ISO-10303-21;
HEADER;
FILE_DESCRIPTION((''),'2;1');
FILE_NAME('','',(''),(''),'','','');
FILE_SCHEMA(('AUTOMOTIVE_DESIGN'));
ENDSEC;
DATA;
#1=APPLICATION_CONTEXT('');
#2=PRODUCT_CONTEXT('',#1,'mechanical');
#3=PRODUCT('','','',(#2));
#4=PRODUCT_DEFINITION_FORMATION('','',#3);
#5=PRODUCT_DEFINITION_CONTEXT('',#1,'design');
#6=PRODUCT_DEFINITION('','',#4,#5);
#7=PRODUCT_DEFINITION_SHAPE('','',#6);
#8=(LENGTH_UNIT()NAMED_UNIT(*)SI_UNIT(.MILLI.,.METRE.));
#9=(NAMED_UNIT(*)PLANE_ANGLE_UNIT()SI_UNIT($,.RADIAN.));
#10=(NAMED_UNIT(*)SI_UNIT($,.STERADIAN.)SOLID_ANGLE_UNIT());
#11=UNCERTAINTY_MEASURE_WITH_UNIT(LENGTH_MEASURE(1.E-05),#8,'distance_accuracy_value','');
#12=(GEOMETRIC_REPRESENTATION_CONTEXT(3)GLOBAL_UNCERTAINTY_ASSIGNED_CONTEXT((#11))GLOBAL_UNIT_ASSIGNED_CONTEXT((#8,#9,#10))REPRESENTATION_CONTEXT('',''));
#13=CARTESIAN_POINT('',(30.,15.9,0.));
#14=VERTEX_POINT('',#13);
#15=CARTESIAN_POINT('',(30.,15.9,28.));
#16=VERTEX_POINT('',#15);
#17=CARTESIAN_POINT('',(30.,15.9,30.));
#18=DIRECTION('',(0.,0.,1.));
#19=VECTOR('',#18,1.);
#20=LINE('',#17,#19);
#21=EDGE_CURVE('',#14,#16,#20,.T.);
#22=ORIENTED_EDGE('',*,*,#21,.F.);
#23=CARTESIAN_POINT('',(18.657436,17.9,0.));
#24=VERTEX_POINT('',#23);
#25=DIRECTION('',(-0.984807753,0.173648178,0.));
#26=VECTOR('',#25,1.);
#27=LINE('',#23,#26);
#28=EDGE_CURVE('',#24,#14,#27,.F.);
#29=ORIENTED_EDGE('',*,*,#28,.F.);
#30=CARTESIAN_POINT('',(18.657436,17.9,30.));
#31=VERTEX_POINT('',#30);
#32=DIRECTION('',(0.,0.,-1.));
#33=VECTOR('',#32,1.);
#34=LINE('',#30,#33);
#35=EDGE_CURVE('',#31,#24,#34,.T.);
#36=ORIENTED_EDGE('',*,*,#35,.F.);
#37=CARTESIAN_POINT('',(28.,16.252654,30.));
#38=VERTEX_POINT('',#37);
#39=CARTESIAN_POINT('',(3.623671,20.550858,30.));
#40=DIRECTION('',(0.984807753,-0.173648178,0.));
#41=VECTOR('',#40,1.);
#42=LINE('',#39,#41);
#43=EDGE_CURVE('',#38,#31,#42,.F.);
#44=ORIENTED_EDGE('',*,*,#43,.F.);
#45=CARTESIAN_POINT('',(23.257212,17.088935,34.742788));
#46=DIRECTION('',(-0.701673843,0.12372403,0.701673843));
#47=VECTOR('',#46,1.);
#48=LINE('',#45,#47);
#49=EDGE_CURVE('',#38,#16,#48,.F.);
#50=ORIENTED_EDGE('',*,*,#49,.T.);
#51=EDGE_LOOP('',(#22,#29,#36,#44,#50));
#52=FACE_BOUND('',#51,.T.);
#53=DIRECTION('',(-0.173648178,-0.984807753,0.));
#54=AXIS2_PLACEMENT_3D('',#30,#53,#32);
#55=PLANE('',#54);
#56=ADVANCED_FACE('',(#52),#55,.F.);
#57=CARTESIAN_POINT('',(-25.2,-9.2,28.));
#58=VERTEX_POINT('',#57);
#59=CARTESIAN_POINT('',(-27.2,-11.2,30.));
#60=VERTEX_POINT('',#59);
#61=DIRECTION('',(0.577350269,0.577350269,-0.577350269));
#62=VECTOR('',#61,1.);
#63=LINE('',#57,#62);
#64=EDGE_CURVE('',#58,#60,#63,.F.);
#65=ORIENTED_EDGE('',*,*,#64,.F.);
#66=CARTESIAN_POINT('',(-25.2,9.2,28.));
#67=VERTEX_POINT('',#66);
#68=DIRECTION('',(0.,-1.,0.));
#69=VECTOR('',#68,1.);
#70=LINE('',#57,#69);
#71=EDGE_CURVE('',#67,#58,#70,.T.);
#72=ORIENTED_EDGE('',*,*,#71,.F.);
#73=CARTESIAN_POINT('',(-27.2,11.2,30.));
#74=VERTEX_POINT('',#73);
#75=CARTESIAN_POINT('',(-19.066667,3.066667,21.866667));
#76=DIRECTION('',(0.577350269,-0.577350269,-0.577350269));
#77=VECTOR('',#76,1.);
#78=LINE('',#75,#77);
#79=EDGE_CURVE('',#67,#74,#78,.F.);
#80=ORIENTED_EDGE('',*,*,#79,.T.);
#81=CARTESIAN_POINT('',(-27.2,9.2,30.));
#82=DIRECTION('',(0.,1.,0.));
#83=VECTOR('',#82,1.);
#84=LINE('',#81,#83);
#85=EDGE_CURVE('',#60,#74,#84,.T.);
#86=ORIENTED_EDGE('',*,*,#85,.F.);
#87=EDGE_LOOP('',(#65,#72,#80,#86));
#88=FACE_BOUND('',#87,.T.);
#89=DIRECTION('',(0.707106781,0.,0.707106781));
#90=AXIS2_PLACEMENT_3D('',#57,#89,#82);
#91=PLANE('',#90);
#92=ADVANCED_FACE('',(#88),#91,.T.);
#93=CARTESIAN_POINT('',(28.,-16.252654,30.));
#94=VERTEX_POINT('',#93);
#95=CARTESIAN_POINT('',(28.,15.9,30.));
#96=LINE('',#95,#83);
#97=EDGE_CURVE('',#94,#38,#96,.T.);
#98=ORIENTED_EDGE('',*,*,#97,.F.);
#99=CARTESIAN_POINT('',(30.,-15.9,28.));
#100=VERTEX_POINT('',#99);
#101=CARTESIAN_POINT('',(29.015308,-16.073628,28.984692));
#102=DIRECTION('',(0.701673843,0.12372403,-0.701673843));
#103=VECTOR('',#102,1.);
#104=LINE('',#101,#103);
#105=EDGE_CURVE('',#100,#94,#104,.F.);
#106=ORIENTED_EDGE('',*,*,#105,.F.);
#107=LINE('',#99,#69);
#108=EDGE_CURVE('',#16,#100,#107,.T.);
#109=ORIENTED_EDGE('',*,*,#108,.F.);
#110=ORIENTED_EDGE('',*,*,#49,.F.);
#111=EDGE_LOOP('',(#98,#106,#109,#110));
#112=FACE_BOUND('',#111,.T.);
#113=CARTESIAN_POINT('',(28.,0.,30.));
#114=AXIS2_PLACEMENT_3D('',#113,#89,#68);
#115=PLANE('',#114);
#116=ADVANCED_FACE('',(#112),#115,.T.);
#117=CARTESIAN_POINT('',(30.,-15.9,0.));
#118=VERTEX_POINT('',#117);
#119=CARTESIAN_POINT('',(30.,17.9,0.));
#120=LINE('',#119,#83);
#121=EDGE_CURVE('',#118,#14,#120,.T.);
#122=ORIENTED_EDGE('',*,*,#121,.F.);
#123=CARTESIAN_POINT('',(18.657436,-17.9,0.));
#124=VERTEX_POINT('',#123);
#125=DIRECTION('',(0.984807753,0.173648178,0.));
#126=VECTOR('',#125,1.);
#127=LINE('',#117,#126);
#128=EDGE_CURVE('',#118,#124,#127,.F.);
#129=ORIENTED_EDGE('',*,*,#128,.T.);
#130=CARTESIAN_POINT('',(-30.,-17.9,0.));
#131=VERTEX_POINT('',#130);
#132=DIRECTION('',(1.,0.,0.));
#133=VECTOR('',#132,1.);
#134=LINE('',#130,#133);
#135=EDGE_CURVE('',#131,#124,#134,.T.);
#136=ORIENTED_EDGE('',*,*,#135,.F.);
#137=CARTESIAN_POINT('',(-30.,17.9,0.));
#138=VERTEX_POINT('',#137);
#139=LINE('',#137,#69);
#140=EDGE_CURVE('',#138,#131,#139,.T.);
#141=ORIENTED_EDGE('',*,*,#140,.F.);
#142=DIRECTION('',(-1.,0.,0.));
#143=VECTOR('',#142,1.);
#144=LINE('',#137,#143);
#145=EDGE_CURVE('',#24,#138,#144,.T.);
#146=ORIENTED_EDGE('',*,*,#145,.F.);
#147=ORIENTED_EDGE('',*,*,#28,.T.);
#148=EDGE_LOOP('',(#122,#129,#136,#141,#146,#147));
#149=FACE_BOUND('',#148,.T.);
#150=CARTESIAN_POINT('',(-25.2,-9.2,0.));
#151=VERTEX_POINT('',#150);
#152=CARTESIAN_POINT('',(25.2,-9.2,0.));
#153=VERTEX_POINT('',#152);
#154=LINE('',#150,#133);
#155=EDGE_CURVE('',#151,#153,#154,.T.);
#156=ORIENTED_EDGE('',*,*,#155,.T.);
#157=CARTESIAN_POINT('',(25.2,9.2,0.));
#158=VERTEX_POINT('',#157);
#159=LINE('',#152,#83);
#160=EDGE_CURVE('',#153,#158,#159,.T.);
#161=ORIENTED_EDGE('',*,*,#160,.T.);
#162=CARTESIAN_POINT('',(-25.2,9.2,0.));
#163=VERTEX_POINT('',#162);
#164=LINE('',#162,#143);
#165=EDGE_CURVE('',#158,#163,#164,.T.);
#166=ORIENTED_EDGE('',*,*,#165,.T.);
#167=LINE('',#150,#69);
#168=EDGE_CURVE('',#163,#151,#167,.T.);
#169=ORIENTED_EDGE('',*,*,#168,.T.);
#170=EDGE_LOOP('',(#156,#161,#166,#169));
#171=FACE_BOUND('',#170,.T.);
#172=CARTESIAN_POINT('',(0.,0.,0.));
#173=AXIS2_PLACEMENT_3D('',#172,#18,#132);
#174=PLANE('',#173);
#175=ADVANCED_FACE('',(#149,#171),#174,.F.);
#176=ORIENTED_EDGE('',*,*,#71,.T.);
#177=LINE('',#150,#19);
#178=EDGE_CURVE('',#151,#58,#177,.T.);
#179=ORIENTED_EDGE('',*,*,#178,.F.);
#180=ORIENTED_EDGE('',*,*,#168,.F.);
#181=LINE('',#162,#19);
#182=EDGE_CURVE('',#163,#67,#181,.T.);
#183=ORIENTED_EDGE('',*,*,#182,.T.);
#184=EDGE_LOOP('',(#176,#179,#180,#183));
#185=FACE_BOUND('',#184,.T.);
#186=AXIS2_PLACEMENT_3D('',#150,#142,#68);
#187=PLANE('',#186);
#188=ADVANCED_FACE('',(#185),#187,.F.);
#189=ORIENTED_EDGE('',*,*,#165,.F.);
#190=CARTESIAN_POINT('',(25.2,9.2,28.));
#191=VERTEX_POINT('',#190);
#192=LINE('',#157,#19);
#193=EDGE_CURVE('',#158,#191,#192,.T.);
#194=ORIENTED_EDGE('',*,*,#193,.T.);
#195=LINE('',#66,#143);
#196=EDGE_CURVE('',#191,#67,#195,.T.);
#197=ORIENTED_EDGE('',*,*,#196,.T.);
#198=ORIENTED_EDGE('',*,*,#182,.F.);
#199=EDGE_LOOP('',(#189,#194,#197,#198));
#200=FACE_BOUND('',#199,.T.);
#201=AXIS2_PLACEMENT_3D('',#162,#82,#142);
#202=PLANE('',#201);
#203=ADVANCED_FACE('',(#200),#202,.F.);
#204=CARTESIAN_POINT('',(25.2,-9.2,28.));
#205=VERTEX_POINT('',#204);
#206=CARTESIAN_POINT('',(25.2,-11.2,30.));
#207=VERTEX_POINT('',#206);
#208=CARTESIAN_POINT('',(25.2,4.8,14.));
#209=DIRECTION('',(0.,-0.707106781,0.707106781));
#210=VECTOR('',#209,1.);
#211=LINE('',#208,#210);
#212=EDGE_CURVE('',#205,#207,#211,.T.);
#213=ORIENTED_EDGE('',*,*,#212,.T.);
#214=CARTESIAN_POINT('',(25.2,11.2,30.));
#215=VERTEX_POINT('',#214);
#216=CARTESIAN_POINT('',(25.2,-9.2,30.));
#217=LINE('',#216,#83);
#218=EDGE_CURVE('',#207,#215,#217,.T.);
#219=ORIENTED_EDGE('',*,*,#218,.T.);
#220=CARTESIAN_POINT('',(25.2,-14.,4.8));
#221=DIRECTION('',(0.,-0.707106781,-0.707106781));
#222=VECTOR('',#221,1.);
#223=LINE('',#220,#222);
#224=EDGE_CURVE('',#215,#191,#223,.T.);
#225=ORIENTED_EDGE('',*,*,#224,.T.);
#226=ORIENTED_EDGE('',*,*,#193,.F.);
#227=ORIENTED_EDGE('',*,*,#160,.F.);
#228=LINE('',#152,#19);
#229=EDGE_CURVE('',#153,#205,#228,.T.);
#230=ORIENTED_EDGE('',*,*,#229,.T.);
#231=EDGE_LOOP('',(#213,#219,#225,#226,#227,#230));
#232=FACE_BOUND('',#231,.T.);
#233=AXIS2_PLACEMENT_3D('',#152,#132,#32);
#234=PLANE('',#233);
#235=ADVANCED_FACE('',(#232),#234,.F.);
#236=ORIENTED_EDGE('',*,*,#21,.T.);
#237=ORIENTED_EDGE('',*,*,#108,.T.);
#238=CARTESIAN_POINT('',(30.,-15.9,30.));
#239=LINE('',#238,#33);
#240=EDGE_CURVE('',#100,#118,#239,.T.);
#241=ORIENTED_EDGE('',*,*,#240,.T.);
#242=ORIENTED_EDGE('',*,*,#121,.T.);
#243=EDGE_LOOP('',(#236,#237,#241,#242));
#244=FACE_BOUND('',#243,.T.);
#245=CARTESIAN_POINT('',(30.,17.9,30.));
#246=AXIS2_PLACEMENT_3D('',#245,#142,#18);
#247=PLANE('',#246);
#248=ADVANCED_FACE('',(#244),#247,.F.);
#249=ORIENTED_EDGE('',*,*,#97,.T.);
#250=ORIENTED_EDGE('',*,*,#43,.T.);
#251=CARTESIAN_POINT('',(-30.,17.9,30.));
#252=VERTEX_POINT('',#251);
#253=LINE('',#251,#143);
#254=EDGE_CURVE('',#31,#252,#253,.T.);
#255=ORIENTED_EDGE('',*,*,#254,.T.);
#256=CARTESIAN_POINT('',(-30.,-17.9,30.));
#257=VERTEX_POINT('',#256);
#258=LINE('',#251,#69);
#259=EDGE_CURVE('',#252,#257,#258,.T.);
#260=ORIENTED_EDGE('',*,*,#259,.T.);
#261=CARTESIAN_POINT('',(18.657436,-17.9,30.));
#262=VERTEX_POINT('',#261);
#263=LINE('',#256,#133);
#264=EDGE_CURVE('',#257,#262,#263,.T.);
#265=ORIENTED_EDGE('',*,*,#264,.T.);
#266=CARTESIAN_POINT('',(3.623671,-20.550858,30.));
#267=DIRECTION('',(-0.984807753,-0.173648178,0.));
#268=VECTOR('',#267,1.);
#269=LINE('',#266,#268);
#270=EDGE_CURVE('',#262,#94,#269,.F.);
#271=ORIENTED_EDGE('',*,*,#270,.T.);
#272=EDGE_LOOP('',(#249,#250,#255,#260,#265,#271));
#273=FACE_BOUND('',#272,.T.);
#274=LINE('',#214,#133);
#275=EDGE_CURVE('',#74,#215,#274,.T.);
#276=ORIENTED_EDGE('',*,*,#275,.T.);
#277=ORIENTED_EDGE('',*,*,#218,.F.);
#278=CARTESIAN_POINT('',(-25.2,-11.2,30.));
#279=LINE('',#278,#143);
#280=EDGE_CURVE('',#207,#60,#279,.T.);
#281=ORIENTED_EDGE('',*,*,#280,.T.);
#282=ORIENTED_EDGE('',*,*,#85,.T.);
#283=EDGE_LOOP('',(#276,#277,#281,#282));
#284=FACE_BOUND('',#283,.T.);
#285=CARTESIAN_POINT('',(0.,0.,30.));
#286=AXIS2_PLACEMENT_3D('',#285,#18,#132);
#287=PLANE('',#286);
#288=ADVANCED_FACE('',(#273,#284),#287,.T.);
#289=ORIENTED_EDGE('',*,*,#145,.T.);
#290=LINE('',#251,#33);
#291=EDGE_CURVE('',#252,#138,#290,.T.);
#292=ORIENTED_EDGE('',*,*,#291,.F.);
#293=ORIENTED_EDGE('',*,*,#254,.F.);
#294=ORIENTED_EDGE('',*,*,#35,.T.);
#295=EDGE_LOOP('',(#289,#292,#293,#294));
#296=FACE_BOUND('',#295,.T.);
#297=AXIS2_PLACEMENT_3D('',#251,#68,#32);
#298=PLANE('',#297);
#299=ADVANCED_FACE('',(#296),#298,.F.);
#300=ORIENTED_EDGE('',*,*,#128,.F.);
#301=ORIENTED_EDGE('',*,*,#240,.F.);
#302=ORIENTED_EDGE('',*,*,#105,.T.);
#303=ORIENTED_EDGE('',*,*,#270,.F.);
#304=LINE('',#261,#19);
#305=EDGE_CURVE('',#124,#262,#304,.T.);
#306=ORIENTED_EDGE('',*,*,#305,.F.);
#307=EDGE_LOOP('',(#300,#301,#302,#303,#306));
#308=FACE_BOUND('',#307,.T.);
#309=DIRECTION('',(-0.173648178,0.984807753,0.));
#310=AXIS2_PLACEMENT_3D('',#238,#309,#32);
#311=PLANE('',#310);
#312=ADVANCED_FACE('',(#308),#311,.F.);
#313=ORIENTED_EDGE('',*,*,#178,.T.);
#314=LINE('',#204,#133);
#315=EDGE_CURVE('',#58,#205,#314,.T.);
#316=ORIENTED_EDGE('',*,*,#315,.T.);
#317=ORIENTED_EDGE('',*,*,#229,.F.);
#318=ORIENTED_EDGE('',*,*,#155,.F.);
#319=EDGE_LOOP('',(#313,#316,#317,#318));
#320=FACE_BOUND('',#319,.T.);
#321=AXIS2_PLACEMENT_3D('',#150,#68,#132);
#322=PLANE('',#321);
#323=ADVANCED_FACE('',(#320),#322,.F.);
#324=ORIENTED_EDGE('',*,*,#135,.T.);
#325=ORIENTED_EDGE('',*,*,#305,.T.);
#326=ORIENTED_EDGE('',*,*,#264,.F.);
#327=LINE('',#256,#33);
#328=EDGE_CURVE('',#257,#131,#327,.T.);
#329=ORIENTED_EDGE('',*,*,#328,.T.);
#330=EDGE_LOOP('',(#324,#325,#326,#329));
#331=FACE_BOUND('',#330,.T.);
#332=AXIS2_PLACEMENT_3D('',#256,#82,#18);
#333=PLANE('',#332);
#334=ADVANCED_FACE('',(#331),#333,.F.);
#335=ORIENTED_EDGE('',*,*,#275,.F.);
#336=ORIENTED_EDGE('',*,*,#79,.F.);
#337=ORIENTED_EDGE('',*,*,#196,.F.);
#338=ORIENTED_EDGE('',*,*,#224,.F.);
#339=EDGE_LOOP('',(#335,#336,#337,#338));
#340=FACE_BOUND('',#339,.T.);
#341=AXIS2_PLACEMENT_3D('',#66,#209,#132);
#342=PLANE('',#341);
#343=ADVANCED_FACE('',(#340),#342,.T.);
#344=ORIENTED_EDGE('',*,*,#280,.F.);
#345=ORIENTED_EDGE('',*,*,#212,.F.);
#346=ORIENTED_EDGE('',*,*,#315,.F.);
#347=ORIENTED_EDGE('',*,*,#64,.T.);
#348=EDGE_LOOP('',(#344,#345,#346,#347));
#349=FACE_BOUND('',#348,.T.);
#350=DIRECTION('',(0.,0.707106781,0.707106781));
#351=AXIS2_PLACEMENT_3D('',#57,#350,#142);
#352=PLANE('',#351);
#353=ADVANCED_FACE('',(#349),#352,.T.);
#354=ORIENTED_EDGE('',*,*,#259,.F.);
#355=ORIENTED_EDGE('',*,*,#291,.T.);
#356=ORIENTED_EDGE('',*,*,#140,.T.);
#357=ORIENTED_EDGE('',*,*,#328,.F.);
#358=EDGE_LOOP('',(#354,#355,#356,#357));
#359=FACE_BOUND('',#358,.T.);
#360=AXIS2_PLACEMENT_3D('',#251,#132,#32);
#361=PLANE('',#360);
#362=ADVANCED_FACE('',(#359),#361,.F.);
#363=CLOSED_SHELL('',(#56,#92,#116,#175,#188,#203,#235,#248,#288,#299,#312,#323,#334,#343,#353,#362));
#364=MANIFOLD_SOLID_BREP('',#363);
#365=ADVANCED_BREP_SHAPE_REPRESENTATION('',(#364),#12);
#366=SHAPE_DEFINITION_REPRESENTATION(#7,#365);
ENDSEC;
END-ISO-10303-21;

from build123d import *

# Parameters (mm, degrees)
SKETCH_1_W          = 60
SKETCH_1_H          = 35.8
EXTRUDE_1_DEPTH     = 30
SKETCH_2_W          = 50.4
SKETCH_2_H          = 18.4
CUT_EXTRUDE_1_DEPTH = 47.047909833
CHAMFER_1_SIZE      = 2
CHAMFER_1_SIZE2     = 11.342563639
CHAMFER_2_SIZE      = 2


with BuildPart() as part:
    # 草图1 → 凸台-拉伸1 (new body)
    with BuildSketch(Plane.XY):
        Rectangle(SKETCH_1_W, SKETCH_1_H)
    extrude(amount=EXTRUDE_1_DEPTH)

    # 草图2 → 切除-拉伸1 (cut, through all)
    with BuildSketch(Plane.XY.offset(30)):
        Rectangle(SKETCH_2_W, SKETCH_2_H)
    extrude(amount=-CUT_EXTRUDE_1_DEPTH, mode=Mode.SUBTRACT)

    # 倒角1
    chamfer_1_edges = [part.edges().sort_by_distance(p)[0] for p in [
        (30, -17.9, 15),
        (30, 17.9, 15),
    ]]
    chamfer_1_side = [part.faces().sort_by_distance(p)[0] for p in [
        (30, 0, 15),
    ]]
    chamfer(chamfer_1_edges, length=CHAMFER_1_SIZE, length2=CHAMFER_1_SIZE2, reference=chamfer_1_side[0])

    # 倒角2
    chamfer_2_edges = [part.edges().sort_by_distance(p)[0] for p in [
        (0, 9.2, 30),
        (-25.2, 0, 30),
        (0, -9.2, 30),
        (30, 0, 30),
    ]]
    chamfer(chamfer_2_edges, length=CHAMFER_2_SIZE)


solid = part.part
